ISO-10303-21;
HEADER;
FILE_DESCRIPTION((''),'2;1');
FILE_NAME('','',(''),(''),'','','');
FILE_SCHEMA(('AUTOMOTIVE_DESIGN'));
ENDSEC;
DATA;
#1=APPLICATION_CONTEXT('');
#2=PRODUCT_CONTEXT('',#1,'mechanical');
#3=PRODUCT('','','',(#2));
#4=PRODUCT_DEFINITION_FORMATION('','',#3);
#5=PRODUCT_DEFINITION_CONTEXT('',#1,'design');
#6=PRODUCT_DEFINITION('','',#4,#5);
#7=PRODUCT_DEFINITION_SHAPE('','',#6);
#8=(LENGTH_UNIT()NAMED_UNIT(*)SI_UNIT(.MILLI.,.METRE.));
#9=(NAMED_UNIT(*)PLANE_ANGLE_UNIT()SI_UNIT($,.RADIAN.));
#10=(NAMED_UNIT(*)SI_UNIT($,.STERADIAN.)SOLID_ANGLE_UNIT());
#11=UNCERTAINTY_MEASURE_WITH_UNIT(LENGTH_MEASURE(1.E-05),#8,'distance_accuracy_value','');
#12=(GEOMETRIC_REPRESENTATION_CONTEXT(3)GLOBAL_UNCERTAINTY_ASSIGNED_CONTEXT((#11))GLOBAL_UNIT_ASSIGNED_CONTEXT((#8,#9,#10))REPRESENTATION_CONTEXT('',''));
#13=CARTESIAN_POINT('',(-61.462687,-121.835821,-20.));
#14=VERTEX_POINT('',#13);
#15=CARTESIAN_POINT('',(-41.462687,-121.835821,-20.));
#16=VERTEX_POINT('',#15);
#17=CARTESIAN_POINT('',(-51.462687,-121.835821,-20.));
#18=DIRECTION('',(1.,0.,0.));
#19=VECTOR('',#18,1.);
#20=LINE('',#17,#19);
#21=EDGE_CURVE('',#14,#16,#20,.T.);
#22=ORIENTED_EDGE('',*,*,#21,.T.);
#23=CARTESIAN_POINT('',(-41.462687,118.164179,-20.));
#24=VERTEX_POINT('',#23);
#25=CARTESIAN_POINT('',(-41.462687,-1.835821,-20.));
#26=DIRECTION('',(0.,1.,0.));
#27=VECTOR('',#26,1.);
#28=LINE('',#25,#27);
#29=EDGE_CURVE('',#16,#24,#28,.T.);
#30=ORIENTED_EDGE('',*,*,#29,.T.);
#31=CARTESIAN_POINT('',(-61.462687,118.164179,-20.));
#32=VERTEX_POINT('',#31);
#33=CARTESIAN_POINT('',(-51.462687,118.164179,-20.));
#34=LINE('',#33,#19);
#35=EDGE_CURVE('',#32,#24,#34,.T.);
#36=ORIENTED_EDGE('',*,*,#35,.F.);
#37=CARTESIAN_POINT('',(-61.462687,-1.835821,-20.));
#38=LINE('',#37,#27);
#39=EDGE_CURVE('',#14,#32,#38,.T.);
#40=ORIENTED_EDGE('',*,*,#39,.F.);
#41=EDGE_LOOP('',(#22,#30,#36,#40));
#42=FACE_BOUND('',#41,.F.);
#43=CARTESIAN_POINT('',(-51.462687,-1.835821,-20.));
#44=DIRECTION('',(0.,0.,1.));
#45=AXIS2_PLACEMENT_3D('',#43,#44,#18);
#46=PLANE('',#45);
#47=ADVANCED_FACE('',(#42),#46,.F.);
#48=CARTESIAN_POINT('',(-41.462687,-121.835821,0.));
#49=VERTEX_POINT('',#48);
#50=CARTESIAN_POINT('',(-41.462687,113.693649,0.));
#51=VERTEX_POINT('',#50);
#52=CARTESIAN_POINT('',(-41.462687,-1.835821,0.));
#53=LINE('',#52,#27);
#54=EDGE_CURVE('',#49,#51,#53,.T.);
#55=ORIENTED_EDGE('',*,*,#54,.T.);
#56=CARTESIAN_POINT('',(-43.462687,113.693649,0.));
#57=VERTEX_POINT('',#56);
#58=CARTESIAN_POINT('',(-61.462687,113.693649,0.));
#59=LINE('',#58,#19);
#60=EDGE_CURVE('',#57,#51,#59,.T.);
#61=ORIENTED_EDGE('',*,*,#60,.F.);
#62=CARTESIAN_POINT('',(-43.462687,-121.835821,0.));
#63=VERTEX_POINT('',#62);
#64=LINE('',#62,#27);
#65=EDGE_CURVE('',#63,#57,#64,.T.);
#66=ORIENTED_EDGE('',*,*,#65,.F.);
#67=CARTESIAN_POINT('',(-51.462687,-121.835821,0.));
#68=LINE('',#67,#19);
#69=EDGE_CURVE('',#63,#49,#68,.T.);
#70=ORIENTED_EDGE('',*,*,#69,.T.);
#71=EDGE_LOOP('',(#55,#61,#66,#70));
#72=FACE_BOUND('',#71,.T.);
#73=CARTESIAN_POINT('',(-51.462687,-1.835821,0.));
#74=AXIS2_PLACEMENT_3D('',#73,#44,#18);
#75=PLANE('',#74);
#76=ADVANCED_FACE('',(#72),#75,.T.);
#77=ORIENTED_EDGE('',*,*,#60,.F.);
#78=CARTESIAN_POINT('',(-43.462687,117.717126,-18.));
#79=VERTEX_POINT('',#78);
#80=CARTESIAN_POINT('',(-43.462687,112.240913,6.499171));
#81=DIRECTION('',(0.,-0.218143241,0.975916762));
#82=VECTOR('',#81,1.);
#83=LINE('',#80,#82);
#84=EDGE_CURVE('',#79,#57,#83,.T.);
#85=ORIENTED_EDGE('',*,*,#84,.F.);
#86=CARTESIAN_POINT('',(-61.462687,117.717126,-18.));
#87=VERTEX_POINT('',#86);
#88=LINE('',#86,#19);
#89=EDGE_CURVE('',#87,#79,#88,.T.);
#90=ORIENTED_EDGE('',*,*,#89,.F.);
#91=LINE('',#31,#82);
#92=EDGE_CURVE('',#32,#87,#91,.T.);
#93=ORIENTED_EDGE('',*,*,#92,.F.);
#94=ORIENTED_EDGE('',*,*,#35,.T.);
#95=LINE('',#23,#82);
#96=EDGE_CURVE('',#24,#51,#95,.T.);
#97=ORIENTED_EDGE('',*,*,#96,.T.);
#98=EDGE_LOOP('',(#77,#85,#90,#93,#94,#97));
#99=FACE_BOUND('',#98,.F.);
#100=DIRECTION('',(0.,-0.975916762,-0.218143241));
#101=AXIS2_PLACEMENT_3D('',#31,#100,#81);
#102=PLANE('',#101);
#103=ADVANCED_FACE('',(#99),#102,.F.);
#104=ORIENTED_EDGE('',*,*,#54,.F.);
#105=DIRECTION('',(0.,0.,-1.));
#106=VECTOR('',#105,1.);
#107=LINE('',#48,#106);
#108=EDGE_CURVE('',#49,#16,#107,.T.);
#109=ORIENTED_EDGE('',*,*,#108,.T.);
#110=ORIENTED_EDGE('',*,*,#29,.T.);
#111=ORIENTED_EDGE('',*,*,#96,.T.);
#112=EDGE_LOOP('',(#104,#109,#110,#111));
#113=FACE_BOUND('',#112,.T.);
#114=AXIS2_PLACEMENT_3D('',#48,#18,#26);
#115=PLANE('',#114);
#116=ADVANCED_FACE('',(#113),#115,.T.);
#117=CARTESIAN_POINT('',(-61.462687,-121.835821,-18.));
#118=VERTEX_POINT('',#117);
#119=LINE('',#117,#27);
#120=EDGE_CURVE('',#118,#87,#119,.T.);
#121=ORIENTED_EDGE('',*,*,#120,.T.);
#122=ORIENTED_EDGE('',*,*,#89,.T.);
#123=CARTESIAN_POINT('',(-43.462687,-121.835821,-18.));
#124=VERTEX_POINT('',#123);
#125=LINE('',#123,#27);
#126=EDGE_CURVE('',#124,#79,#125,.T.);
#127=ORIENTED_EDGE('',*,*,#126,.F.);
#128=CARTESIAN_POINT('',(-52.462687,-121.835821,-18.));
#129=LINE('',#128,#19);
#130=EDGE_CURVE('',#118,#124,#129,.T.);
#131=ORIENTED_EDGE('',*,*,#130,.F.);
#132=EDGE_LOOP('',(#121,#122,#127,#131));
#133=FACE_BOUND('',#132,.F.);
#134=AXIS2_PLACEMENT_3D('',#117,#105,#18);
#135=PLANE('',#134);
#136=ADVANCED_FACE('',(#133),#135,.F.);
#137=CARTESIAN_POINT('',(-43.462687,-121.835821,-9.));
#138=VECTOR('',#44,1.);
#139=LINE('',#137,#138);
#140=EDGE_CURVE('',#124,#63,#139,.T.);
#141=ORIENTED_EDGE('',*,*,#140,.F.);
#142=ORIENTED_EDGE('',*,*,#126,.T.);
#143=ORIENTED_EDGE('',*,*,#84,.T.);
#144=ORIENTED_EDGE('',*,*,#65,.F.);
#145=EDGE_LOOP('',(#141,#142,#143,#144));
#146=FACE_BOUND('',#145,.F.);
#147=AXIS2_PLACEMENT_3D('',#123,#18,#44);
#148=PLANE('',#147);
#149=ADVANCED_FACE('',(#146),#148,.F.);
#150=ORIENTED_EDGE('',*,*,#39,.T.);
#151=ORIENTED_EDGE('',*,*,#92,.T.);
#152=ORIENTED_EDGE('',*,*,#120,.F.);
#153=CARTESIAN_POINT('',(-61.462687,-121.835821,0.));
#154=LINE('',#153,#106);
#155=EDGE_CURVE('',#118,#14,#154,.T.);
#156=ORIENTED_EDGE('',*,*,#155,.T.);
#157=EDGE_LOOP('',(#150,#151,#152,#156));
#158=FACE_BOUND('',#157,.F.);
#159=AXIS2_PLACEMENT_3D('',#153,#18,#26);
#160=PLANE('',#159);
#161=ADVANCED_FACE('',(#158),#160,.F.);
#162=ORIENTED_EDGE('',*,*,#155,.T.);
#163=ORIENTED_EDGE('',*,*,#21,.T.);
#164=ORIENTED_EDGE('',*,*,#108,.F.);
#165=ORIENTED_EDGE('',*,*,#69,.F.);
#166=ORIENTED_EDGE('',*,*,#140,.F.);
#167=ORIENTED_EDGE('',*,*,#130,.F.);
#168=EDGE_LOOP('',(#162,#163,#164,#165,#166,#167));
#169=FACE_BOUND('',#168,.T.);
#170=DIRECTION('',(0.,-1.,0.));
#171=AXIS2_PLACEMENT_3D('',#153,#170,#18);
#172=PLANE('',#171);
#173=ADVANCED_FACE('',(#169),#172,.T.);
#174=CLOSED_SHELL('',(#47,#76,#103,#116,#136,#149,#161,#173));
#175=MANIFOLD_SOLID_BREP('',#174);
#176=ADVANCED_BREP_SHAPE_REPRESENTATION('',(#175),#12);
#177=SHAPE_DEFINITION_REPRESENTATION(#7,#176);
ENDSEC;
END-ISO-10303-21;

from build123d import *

# Parameters (mm, degrees)
SKETCH1_W           = 20
SKETCH1_H           = 240
BOSS_EXTRUDE1_DEPTH = 20
CUT_EXTRUDE1_DEPTH  = 20
SKETCH3_W           = 18
SKETCH3_H           = 18
CUT_EXTRUDE2_DEPTH  = 290


with BuildPart() as part:
    # Sketch1 → Boss-Extrude1 (new body)
    with BuildSketch(Plane.XY):
        with Locations((-51.462686567, -1.835820896)):
            Rectangle(SKETCH1_W, SKETCH1_H)
    extrude(amount=-BOSS_EXTRUDE1_DEPTH)

    # Sketch2 → Cut-Extrude1 (cut)
    with BuildSketch(Plane.ZY.offset(61.462686567)):
        Polygon((-20, 118.164179104), (0, 113.693649447), (0, 118.164179104), align=None)
    extrude(amount=-CUT_EXTRUDE1_DEPTH, mode=Mode.SUBTRACT)

    # Sketch3 → Cut-Extrude2 (cut)
    with BuildSketch(Plane.XZ.offset(121.835820896)):
        with Locations((-52.462686567, -9)):
            Rectangle(SKETCH3_W, SKETCH3_H)
    extrude(amount=-CUT_EXTRUDE2_DEPTH, mode=Mode.SUBTRACT)


solid = part.part
